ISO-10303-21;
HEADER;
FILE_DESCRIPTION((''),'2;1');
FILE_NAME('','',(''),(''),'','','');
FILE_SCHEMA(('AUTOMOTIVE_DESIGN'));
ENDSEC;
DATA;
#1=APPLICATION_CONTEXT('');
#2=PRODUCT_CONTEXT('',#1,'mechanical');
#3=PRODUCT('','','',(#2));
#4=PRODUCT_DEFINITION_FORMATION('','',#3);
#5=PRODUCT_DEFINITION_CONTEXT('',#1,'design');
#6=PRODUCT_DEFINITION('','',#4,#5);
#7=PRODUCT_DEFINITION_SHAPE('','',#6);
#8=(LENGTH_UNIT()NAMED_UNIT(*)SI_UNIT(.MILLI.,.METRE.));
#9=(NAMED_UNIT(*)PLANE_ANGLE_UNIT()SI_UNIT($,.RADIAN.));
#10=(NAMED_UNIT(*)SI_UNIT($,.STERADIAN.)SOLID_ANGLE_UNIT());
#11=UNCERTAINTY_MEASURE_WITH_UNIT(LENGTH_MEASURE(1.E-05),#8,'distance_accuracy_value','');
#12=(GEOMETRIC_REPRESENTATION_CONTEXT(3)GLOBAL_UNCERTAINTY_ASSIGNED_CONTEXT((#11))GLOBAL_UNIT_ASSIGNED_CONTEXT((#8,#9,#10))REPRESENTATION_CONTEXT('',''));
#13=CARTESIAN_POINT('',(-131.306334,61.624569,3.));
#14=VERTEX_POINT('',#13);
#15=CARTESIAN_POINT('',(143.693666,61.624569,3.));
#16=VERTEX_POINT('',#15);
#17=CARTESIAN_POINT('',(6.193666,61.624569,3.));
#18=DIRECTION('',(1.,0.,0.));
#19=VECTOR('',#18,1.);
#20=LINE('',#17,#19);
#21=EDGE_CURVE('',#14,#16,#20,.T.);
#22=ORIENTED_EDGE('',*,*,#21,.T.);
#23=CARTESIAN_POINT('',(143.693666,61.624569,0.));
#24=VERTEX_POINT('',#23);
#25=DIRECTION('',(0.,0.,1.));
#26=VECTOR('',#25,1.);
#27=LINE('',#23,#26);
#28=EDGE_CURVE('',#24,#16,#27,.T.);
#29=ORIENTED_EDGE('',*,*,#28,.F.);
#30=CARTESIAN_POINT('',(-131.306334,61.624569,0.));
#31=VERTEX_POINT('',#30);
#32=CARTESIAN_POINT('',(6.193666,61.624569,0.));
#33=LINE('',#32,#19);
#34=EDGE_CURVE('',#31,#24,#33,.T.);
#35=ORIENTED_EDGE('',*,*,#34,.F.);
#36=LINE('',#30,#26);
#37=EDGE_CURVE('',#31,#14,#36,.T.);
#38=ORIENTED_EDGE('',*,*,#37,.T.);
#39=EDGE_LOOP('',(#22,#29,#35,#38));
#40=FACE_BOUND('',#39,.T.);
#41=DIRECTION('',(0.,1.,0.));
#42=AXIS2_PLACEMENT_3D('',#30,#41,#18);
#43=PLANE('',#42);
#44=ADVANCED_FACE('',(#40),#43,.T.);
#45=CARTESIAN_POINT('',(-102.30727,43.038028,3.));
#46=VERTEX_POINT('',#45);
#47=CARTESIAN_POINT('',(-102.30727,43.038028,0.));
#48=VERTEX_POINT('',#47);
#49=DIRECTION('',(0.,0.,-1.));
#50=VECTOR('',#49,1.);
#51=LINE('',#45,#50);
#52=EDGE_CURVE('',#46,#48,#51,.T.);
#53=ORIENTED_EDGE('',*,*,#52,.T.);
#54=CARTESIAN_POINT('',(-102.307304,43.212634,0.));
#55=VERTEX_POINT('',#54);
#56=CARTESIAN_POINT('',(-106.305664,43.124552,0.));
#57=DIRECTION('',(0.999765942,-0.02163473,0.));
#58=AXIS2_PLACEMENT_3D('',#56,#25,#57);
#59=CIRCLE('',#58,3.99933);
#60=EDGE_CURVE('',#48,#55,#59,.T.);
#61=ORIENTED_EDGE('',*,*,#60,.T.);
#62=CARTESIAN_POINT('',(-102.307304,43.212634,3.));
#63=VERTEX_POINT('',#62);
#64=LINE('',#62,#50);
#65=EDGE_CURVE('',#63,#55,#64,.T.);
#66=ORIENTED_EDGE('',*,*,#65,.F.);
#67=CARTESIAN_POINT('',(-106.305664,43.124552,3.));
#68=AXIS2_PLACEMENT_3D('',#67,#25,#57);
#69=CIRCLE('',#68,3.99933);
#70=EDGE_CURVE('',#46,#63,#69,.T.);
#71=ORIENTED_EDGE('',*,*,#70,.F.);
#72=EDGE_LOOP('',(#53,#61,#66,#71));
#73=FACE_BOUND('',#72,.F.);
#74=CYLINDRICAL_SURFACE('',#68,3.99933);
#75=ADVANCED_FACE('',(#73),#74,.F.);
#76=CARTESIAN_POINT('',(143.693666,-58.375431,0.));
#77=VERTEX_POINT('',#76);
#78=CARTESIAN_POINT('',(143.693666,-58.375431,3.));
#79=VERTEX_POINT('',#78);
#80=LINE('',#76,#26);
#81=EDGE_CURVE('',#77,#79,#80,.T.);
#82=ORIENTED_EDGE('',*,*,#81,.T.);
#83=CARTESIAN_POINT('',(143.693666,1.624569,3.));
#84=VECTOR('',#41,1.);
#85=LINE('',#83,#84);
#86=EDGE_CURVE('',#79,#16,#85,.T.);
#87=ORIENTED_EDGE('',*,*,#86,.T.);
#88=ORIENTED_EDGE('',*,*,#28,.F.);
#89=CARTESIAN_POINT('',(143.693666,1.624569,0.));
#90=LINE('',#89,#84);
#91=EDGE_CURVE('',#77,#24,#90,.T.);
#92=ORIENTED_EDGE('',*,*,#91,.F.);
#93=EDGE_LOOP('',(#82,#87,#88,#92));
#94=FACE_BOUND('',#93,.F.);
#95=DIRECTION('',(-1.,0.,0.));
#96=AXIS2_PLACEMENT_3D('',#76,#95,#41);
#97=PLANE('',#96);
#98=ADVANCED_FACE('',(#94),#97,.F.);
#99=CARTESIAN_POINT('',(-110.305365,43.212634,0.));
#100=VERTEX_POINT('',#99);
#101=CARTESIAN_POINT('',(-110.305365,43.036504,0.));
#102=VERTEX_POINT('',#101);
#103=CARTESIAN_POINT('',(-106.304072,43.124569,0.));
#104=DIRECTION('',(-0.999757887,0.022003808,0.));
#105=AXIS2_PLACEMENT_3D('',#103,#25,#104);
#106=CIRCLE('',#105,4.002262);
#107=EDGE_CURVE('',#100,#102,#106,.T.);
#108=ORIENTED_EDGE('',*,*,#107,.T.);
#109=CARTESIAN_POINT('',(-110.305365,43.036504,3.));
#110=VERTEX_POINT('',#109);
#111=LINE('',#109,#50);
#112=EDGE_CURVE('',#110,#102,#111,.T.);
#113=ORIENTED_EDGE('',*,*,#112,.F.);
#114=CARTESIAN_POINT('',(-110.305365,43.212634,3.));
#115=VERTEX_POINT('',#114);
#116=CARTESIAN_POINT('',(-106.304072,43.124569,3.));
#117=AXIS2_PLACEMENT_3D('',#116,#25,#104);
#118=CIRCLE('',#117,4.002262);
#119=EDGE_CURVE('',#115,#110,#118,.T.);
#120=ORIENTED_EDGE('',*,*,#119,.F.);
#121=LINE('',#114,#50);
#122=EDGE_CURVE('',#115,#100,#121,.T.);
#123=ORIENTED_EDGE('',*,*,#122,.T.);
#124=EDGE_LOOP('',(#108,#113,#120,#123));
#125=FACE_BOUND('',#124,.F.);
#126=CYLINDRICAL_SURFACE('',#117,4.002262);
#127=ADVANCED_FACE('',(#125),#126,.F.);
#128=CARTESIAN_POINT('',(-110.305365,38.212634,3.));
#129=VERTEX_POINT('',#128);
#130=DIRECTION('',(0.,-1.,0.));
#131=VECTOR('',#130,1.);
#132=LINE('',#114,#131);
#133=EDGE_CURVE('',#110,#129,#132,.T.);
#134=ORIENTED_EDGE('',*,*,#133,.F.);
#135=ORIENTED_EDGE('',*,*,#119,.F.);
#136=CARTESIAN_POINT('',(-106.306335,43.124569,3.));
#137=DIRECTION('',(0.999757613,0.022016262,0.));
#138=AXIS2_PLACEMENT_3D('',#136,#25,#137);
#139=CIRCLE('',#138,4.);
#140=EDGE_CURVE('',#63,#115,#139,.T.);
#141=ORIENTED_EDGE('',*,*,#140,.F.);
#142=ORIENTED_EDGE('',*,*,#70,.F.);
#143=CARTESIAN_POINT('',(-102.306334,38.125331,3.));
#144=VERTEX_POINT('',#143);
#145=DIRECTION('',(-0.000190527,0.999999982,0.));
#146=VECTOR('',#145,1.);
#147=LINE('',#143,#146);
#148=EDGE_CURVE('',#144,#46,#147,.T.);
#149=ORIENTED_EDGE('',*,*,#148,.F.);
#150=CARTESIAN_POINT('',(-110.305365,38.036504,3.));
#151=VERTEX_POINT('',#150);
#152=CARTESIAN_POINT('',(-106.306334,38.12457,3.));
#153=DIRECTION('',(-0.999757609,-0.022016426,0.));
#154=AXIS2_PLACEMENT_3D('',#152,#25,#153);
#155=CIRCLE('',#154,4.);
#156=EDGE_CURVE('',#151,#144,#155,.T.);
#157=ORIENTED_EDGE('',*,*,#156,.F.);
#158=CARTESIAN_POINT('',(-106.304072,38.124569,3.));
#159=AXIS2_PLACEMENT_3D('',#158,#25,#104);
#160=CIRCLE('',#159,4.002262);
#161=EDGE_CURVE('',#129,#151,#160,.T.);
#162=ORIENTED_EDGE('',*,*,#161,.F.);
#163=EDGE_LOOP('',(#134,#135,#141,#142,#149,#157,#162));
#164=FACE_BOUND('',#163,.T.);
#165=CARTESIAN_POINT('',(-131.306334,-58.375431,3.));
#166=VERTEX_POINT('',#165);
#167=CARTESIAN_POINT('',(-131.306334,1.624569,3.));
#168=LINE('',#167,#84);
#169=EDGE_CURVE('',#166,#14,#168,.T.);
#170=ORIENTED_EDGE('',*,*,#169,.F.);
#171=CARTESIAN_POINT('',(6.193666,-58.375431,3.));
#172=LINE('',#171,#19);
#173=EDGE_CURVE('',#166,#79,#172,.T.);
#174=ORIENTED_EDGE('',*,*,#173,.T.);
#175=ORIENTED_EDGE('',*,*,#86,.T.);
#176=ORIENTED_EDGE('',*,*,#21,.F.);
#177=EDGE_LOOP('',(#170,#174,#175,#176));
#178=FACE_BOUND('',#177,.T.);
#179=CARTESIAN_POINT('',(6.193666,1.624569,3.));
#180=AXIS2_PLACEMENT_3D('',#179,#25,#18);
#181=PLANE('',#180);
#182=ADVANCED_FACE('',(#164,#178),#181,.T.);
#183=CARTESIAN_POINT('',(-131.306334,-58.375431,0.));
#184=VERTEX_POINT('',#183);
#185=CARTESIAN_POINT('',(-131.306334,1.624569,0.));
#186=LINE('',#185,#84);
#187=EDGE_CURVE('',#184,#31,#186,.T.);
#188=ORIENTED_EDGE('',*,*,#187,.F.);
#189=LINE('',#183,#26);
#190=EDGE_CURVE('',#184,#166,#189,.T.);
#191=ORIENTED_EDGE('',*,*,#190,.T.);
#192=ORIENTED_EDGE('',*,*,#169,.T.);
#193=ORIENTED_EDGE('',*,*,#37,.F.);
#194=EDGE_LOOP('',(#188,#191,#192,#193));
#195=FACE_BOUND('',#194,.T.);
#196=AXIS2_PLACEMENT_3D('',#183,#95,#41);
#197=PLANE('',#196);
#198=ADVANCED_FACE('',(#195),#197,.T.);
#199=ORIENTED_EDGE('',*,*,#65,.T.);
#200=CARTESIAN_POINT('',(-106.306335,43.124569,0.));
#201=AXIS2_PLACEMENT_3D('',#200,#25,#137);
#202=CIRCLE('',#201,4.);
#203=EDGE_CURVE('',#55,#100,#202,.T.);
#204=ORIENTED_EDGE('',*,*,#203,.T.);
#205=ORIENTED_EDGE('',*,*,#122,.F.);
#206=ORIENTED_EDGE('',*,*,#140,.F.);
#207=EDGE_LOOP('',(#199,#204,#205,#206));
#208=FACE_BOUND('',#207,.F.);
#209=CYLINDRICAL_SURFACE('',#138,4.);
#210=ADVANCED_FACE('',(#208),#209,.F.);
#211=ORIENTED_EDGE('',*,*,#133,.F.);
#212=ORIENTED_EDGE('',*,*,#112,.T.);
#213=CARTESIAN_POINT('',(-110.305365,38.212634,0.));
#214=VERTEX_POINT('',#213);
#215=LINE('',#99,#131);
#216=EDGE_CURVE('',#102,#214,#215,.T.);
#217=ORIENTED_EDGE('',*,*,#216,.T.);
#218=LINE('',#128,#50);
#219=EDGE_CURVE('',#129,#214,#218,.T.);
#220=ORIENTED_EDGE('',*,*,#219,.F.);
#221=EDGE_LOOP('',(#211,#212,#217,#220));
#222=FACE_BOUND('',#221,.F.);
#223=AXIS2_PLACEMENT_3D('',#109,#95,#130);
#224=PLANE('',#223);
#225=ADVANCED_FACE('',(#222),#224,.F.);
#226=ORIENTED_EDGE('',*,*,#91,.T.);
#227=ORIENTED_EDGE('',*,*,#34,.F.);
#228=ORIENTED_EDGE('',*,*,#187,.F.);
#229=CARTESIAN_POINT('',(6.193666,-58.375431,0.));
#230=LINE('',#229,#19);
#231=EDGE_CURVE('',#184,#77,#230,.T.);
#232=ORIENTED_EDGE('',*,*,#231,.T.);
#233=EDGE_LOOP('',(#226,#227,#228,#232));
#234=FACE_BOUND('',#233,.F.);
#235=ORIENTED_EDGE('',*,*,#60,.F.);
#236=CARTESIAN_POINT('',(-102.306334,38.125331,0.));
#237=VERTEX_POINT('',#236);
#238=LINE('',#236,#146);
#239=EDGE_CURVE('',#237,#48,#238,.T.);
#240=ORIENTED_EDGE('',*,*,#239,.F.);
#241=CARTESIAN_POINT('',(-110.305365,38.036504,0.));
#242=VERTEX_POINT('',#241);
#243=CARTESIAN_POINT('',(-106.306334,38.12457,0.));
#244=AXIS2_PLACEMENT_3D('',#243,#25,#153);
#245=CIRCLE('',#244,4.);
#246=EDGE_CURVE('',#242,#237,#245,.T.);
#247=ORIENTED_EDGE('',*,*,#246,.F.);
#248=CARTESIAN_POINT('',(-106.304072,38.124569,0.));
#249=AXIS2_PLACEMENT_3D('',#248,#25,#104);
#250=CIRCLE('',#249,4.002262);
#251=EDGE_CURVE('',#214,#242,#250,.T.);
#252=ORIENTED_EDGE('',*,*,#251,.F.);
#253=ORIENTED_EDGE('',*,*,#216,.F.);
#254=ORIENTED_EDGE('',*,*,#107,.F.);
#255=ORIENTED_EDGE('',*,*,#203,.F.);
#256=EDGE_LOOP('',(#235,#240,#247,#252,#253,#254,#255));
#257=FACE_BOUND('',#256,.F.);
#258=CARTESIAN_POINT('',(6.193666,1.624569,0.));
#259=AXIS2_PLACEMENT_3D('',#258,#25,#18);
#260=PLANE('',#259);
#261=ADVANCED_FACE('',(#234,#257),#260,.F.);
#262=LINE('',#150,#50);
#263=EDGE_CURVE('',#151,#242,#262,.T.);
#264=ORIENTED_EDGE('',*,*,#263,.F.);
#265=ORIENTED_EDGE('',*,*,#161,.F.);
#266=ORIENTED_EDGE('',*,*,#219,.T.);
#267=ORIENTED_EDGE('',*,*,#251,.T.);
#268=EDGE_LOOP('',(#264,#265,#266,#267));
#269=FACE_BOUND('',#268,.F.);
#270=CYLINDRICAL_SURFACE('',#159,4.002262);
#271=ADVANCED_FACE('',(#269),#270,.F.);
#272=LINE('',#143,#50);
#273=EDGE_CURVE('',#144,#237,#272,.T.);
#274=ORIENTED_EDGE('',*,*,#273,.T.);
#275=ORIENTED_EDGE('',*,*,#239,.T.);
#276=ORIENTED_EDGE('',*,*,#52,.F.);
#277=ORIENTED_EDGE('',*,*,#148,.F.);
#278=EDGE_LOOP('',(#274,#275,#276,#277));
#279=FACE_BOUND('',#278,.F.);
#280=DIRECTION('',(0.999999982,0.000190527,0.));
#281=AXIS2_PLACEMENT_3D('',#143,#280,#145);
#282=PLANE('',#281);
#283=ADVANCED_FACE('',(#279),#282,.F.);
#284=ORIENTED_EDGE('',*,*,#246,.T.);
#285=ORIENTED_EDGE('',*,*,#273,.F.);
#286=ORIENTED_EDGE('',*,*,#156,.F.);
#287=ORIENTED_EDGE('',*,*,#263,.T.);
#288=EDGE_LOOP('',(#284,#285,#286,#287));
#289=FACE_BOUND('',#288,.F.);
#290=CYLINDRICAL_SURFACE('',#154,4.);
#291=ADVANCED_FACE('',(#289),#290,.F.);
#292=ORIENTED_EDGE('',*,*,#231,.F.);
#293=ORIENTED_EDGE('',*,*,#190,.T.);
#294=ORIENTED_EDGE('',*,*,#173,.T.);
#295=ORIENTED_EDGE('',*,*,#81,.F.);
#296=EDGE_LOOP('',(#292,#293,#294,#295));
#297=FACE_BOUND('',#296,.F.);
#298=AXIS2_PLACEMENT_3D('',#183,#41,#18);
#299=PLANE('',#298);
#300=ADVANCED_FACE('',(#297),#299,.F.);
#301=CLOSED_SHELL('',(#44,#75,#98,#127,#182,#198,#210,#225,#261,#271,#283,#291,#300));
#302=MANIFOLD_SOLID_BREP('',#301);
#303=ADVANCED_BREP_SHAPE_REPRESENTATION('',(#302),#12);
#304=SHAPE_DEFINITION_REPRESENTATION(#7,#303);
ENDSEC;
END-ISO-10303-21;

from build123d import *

# Parameters (mm, degrees)
F0_W     = 275
F0_H     = 120
F1_DEPTH = 3
F3_DEPTH = 3


with BuildPart() as f1:
    # F0 (on Top) → F1 (new body)
    with BuildSketch(Plane.XY):
        with Locations((6.193666, 1.624569)):
            Rectangle(F0_W, F0_H)
    extrude(amount=F1_DEPTH)

    # F2 (on face) → F3 (cut)
    with BuildSketch(Plane.XY.offset(3)):
        with BuildLine():
            Line((-102.307304, 43.212634), (-102.30727, 43.038028))
            ThreePointArc((-102.30727, 43.038028), (-102.306334, 43.125331), (-102.307304, 43.212634))
        make_face()
        with BuildLine():
            Line((-102.306334, 38.125331), (-102.30727, 43.038028))
            Line((-102.30727, 43.038028), (-102.307304, 43.212634))
            ThreePointArc((-102.307304, 43.212634), (-106.306334, 47.124569), (-110.305365, 43.212634))
            Line((-110.305365, 43.212634), (-110.305365, 43.036504))
            Line((-110.305365, 43.036504), (-110.305365, 38.212634))
            Line((-110.305365, 38.212634), (-110.305365, 38.036504))
            ThreePointArc((-110.305365, 38.036504), (-106.261918, 34.124816), (-102.306334, 38.125331))
        make_face()
        with BuildLine():
            Line((-110.305365, 43.036504), (-110.305365, 43.212634))
            ThreePointArc((-110.305365, 43.212634), (-110.306334, 43.124569), (-110.305365, 43.036504))
        make_face()
        with BuildLine():
            ThreePointArc((-110.305365, 38.212634), (-110.306334, 38.124569), (-110.305365, 38.036504))
            Line((-110.305365, 38.036504), (-110.305365, 38.212634))
        make_face()
    extrude(amount=-F3_DEPTH, mode=Mode.SUBTRACT)


solid = f1.part
